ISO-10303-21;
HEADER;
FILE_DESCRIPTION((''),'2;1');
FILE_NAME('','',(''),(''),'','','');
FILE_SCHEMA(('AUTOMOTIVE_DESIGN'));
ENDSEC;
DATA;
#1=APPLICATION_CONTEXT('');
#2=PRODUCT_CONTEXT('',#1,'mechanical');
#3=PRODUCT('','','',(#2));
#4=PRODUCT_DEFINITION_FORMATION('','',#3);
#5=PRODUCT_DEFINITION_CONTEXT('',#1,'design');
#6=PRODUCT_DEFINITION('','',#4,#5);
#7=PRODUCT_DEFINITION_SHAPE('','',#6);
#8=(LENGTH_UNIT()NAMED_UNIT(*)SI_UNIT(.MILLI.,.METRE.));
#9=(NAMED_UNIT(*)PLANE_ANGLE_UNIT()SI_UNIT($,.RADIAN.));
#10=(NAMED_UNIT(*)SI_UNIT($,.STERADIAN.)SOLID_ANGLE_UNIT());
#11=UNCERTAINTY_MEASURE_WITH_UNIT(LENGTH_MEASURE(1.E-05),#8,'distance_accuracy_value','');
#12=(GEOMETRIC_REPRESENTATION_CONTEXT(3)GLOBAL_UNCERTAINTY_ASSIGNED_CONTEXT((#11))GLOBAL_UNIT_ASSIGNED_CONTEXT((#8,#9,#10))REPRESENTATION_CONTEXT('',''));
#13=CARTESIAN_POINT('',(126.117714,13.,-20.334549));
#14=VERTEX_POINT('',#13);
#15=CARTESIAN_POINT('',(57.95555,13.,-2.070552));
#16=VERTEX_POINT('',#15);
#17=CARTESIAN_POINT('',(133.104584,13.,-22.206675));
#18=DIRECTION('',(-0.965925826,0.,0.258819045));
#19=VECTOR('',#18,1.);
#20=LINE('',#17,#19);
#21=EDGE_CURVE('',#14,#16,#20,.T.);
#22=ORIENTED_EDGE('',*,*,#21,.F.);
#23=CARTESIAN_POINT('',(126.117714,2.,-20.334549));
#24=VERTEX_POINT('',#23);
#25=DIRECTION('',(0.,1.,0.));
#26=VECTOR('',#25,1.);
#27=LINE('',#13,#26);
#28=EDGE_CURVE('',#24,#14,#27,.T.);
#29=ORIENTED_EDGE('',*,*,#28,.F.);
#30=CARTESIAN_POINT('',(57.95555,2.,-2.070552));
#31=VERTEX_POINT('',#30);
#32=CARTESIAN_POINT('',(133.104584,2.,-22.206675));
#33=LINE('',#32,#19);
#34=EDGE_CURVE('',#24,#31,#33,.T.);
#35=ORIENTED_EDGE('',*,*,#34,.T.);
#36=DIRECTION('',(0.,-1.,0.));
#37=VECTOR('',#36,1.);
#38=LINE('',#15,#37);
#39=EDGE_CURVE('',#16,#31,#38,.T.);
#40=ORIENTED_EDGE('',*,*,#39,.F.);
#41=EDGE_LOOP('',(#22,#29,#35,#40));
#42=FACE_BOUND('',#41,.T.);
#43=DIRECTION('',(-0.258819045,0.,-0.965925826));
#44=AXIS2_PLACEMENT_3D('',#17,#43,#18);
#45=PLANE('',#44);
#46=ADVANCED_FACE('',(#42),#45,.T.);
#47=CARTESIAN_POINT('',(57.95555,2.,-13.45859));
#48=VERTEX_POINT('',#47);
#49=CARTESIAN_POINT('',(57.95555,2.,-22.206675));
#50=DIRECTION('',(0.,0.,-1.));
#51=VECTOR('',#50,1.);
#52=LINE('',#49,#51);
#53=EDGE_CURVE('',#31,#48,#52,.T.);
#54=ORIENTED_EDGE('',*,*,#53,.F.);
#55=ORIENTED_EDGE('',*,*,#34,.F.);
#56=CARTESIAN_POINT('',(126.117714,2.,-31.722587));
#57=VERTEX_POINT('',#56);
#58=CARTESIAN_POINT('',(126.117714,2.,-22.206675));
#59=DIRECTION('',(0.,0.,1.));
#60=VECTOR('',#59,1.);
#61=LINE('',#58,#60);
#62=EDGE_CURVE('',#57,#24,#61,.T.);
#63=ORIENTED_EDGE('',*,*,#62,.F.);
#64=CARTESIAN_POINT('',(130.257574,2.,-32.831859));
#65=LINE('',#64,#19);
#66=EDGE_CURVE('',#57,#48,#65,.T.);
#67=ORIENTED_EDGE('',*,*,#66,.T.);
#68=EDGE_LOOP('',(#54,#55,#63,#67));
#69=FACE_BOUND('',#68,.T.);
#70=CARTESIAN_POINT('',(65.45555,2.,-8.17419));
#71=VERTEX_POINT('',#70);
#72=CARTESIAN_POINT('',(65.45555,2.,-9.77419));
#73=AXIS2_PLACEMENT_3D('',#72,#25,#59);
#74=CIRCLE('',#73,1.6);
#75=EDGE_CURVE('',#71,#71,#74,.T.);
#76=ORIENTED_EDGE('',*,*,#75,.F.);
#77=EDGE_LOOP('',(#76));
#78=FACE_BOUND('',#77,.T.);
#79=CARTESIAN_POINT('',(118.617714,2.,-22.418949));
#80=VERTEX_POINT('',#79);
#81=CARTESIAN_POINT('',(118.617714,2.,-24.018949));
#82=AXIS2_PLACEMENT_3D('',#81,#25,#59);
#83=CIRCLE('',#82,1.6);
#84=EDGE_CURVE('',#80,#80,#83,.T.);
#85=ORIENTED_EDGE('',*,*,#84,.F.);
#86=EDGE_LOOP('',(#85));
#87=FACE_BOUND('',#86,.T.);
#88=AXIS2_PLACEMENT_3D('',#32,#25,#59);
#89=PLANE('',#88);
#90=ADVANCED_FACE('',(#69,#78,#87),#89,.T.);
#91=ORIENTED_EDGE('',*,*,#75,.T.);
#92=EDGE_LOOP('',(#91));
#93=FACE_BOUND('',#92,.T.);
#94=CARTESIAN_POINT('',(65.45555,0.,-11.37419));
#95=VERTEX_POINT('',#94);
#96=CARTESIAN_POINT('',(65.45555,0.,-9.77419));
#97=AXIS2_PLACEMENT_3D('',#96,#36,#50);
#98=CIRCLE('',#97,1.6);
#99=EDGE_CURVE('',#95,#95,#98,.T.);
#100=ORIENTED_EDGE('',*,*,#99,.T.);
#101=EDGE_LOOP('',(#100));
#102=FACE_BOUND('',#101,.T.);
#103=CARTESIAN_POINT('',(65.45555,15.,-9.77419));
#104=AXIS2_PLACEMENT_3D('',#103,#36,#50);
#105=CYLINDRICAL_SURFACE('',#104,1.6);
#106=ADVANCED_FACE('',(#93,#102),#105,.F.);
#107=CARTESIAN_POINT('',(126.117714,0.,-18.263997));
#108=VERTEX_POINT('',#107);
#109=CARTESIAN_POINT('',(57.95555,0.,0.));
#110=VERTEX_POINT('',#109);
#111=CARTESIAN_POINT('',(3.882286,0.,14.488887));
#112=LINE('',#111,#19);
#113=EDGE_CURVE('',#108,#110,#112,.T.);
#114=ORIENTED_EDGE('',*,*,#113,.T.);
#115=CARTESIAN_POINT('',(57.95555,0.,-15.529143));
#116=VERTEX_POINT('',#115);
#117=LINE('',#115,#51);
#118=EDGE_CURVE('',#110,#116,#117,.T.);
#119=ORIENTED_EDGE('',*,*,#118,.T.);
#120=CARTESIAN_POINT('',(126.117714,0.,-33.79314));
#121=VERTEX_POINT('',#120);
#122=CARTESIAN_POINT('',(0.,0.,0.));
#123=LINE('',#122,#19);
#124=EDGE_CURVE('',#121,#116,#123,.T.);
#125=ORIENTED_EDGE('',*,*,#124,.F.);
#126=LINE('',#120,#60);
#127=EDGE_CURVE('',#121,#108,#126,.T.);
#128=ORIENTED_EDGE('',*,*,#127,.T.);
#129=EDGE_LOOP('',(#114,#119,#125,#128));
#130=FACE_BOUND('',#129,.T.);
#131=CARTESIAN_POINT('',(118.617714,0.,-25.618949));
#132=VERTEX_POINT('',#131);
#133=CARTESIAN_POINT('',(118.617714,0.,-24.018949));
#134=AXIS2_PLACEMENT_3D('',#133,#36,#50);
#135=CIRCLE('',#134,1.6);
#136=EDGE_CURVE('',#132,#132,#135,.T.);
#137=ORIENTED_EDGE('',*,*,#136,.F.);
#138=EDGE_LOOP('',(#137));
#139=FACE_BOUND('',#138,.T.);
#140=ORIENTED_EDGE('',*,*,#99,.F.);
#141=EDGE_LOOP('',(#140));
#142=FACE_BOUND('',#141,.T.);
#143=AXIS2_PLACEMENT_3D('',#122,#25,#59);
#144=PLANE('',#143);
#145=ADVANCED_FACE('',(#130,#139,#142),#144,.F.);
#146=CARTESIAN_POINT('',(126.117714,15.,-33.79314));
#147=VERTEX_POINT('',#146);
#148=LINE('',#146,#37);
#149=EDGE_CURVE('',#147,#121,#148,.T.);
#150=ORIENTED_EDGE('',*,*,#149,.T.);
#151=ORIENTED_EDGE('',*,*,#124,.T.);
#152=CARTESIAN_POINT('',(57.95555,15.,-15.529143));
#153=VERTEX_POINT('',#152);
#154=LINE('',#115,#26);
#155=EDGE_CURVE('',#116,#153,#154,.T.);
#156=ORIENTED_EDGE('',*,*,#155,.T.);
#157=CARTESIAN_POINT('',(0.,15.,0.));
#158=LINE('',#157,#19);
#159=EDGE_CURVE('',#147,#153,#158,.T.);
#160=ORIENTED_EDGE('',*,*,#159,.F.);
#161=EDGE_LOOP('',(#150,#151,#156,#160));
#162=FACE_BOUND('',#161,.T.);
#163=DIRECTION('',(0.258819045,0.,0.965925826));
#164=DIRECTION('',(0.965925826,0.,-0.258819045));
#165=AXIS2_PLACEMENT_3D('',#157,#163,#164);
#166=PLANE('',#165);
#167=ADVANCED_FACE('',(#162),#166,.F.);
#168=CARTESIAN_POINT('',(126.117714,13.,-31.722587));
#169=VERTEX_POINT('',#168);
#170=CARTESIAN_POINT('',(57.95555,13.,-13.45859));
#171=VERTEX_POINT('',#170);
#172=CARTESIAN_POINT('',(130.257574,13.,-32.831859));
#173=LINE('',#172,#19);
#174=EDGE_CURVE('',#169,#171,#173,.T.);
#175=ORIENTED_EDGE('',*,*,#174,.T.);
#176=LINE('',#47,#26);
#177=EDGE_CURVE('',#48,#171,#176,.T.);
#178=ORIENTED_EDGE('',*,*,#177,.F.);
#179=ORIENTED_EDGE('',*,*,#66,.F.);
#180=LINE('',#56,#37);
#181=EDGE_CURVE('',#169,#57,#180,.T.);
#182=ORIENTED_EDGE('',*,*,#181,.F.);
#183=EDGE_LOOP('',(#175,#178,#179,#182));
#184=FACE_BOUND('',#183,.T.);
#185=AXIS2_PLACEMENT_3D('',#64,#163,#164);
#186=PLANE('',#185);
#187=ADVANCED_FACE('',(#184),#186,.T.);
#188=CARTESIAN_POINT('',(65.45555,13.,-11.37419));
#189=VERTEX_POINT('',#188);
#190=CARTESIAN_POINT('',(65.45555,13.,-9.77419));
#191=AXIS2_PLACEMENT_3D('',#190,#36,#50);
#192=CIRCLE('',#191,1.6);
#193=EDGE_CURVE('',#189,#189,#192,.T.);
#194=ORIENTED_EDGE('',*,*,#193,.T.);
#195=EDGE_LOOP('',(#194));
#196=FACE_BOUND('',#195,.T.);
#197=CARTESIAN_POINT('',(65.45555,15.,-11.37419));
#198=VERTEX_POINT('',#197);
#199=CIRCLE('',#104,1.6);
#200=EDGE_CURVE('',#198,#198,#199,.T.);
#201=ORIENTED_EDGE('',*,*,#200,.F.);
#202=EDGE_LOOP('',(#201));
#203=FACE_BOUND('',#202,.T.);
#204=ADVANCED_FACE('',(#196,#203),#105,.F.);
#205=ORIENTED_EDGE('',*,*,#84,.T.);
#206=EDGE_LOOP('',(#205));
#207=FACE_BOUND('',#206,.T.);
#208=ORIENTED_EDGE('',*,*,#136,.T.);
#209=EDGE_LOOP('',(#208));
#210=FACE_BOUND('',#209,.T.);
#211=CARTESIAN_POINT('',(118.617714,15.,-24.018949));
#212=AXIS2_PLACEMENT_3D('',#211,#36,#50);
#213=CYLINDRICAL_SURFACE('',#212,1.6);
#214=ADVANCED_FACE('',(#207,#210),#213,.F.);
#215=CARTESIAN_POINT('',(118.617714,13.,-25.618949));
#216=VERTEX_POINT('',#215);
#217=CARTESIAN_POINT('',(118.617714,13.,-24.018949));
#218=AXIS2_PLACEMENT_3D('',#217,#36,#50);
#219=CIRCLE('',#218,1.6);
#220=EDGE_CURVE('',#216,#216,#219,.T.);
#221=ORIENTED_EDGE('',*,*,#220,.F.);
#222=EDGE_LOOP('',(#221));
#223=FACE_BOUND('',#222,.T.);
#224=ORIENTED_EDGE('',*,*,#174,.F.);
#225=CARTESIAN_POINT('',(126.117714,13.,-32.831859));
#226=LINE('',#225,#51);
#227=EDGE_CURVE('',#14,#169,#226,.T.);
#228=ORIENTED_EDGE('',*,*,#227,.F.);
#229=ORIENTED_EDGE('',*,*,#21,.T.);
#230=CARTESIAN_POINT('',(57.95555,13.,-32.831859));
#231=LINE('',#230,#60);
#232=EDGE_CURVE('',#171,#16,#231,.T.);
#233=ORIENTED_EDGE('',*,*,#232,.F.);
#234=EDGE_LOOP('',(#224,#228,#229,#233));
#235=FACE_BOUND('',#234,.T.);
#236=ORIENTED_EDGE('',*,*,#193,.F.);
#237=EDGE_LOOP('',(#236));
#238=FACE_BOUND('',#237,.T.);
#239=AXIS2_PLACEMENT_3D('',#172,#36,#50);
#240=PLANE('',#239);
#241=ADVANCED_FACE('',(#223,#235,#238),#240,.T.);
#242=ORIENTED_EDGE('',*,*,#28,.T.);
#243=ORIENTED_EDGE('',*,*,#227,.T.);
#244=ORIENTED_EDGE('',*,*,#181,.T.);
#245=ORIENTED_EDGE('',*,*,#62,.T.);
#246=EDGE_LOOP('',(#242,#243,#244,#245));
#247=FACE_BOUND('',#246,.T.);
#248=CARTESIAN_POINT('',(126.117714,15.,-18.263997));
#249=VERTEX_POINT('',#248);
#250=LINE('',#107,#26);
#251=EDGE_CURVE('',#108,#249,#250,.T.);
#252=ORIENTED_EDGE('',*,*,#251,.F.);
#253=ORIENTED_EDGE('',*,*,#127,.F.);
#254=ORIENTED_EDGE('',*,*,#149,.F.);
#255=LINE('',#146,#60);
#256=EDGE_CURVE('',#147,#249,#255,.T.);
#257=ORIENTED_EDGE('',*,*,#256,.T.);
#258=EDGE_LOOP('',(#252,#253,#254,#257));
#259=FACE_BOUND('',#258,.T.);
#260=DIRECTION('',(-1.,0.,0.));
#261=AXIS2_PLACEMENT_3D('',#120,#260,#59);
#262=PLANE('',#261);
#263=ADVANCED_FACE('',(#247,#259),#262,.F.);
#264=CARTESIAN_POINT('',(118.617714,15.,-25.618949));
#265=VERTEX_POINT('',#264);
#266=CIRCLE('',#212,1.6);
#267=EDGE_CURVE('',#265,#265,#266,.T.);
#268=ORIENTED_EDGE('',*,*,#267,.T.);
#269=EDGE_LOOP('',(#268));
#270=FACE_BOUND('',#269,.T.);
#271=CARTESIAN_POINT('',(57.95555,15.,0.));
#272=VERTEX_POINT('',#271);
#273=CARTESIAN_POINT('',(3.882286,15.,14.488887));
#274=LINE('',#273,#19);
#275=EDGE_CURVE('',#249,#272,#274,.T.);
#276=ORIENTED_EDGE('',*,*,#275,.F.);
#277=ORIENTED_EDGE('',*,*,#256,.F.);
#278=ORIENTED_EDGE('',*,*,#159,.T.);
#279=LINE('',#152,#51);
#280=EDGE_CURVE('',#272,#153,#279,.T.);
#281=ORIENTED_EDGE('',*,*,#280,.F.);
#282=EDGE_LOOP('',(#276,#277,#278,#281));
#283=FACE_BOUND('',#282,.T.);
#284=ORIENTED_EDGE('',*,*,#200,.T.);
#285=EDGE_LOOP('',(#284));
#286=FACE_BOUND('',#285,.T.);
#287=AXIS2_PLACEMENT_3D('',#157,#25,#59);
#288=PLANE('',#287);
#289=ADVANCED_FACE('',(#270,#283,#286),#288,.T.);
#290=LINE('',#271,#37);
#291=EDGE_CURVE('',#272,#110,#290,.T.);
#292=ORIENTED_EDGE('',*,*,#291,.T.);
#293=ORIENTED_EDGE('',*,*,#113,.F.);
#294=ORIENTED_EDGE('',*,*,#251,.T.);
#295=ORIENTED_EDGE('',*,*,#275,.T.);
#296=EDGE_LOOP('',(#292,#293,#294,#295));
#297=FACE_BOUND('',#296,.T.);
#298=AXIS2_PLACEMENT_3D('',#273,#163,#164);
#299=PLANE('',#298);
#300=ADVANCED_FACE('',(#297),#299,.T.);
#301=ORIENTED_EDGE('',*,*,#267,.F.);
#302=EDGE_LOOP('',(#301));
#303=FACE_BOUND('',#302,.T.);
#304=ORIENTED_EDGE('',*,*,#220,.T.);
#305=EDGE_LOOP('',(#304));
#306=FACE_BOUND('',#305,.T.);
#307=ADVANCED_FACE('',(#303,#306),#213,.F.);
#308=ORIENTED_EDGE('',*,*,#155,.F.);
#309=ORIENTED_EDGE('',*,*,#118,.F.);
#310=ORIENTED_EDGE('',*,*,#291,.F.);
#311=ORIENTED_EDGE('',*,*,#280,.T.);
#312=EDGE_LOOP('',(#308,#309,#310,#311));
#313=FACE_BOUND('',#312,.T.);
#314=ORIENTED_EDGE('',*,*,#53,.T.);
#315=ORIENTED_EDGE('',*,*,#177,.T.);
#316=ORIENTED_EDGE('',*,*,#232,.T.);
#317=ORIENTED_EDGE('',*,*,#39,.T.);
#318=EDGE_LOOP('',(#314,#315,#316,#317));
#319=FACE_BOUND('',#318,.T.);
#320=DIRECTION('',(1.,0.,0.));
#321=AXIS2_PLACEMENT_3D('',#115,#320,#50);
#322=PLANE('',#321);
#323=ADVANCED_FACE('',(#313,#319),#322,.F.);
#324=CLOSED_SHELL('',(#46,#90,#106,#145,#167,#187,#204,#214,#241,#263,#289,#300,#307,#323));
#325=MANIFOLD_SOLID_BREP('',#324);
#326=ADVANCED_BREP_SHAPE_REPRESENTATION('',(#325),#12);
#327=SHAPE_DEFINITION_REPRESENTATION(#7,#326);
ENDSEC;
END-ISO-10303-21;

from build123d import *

# Parameters (mm, degrees)
BOSS_EXTRUDE1_DEPTH = 15
SKETCH2_W           = 11
SKETCH2_H           = 11
CUT_EXTRUDE1_DEPTH  = 80.765427423
CUT_EXTRUDE2_DEPTH  = 136.155378328
SKETCH4_R           = 1.6
CUT_EXTRUDE3_DEPTH  = 132.425469972


with BuildPart() as part:
    # Sketch1 → Boss-Extrude1 (new body)
    with BuildSketch(Plane(origin=(0, 0, 0), x_dir=(1, 0, 0), z_dir=(0, 1, 0))):
        Polygon((130, 19.30425231), (126.117714323, 33.793139704), (54.073263901, 14.488887394), (57.955549577, 0), align=None)
    extrude(amount=BOSS_EXTRUDE1_DEPTH)

    # Sketch2 → Cut-Extrude1 (cut, through all)
    with BuildSketch(Plane(origin=(54.073263901, 0, -14.488887394), x_dir=(-0.2588190451025183, 0, -0.965925826289069), z_dir=(0.965925826289069, 0, -0.2588190451025183))):
        with Locations((-7.5, 7.5)):
            Rectangle(SKETCH2_W, SKETCH2_H)
    extrude(amount=CUT_EXTRUDE1_DEPTH, mode=Mode.SUBTRACT)

    # Sketch3 → Cut-Extrude2 (cut, through all)
    with BuildSketch(Plane(origin=(0, 15, 0), x_dir=(1, 0, 0), z_dir=(0, 1, 0))):
        Polygon((126.117714323, 33.793139704), (126.117714323, 18.263996998), (130, 19.30425231), align=None)
        Polygon((54.073263901, 14.488887394), (57.955549577, 15.529142706), (57.955549577, 0), align=None)
    extrude(amount=-CUT_EXTRUDE2_DEPTH, mode=Mode.SUBTRACT)

    # Sketch4 → Cut-Extrude3 (cut, through all)
    with BuildSketch(Plane.XZ):
        with Locations(Location((118.617714323, -24.018949408, 0), (0, 0, 270))):
            Circle(SKETCH4_R)
        with Locations(Location((65.455549577, -9.774190296, 0), (0, 0, 270))):
            Circle(SKETCH4_R)
    extrude(amount=-CUT_EXTRUDE3_DEPTH, mode=Mode.SUBTRACT)


solid = part.part
